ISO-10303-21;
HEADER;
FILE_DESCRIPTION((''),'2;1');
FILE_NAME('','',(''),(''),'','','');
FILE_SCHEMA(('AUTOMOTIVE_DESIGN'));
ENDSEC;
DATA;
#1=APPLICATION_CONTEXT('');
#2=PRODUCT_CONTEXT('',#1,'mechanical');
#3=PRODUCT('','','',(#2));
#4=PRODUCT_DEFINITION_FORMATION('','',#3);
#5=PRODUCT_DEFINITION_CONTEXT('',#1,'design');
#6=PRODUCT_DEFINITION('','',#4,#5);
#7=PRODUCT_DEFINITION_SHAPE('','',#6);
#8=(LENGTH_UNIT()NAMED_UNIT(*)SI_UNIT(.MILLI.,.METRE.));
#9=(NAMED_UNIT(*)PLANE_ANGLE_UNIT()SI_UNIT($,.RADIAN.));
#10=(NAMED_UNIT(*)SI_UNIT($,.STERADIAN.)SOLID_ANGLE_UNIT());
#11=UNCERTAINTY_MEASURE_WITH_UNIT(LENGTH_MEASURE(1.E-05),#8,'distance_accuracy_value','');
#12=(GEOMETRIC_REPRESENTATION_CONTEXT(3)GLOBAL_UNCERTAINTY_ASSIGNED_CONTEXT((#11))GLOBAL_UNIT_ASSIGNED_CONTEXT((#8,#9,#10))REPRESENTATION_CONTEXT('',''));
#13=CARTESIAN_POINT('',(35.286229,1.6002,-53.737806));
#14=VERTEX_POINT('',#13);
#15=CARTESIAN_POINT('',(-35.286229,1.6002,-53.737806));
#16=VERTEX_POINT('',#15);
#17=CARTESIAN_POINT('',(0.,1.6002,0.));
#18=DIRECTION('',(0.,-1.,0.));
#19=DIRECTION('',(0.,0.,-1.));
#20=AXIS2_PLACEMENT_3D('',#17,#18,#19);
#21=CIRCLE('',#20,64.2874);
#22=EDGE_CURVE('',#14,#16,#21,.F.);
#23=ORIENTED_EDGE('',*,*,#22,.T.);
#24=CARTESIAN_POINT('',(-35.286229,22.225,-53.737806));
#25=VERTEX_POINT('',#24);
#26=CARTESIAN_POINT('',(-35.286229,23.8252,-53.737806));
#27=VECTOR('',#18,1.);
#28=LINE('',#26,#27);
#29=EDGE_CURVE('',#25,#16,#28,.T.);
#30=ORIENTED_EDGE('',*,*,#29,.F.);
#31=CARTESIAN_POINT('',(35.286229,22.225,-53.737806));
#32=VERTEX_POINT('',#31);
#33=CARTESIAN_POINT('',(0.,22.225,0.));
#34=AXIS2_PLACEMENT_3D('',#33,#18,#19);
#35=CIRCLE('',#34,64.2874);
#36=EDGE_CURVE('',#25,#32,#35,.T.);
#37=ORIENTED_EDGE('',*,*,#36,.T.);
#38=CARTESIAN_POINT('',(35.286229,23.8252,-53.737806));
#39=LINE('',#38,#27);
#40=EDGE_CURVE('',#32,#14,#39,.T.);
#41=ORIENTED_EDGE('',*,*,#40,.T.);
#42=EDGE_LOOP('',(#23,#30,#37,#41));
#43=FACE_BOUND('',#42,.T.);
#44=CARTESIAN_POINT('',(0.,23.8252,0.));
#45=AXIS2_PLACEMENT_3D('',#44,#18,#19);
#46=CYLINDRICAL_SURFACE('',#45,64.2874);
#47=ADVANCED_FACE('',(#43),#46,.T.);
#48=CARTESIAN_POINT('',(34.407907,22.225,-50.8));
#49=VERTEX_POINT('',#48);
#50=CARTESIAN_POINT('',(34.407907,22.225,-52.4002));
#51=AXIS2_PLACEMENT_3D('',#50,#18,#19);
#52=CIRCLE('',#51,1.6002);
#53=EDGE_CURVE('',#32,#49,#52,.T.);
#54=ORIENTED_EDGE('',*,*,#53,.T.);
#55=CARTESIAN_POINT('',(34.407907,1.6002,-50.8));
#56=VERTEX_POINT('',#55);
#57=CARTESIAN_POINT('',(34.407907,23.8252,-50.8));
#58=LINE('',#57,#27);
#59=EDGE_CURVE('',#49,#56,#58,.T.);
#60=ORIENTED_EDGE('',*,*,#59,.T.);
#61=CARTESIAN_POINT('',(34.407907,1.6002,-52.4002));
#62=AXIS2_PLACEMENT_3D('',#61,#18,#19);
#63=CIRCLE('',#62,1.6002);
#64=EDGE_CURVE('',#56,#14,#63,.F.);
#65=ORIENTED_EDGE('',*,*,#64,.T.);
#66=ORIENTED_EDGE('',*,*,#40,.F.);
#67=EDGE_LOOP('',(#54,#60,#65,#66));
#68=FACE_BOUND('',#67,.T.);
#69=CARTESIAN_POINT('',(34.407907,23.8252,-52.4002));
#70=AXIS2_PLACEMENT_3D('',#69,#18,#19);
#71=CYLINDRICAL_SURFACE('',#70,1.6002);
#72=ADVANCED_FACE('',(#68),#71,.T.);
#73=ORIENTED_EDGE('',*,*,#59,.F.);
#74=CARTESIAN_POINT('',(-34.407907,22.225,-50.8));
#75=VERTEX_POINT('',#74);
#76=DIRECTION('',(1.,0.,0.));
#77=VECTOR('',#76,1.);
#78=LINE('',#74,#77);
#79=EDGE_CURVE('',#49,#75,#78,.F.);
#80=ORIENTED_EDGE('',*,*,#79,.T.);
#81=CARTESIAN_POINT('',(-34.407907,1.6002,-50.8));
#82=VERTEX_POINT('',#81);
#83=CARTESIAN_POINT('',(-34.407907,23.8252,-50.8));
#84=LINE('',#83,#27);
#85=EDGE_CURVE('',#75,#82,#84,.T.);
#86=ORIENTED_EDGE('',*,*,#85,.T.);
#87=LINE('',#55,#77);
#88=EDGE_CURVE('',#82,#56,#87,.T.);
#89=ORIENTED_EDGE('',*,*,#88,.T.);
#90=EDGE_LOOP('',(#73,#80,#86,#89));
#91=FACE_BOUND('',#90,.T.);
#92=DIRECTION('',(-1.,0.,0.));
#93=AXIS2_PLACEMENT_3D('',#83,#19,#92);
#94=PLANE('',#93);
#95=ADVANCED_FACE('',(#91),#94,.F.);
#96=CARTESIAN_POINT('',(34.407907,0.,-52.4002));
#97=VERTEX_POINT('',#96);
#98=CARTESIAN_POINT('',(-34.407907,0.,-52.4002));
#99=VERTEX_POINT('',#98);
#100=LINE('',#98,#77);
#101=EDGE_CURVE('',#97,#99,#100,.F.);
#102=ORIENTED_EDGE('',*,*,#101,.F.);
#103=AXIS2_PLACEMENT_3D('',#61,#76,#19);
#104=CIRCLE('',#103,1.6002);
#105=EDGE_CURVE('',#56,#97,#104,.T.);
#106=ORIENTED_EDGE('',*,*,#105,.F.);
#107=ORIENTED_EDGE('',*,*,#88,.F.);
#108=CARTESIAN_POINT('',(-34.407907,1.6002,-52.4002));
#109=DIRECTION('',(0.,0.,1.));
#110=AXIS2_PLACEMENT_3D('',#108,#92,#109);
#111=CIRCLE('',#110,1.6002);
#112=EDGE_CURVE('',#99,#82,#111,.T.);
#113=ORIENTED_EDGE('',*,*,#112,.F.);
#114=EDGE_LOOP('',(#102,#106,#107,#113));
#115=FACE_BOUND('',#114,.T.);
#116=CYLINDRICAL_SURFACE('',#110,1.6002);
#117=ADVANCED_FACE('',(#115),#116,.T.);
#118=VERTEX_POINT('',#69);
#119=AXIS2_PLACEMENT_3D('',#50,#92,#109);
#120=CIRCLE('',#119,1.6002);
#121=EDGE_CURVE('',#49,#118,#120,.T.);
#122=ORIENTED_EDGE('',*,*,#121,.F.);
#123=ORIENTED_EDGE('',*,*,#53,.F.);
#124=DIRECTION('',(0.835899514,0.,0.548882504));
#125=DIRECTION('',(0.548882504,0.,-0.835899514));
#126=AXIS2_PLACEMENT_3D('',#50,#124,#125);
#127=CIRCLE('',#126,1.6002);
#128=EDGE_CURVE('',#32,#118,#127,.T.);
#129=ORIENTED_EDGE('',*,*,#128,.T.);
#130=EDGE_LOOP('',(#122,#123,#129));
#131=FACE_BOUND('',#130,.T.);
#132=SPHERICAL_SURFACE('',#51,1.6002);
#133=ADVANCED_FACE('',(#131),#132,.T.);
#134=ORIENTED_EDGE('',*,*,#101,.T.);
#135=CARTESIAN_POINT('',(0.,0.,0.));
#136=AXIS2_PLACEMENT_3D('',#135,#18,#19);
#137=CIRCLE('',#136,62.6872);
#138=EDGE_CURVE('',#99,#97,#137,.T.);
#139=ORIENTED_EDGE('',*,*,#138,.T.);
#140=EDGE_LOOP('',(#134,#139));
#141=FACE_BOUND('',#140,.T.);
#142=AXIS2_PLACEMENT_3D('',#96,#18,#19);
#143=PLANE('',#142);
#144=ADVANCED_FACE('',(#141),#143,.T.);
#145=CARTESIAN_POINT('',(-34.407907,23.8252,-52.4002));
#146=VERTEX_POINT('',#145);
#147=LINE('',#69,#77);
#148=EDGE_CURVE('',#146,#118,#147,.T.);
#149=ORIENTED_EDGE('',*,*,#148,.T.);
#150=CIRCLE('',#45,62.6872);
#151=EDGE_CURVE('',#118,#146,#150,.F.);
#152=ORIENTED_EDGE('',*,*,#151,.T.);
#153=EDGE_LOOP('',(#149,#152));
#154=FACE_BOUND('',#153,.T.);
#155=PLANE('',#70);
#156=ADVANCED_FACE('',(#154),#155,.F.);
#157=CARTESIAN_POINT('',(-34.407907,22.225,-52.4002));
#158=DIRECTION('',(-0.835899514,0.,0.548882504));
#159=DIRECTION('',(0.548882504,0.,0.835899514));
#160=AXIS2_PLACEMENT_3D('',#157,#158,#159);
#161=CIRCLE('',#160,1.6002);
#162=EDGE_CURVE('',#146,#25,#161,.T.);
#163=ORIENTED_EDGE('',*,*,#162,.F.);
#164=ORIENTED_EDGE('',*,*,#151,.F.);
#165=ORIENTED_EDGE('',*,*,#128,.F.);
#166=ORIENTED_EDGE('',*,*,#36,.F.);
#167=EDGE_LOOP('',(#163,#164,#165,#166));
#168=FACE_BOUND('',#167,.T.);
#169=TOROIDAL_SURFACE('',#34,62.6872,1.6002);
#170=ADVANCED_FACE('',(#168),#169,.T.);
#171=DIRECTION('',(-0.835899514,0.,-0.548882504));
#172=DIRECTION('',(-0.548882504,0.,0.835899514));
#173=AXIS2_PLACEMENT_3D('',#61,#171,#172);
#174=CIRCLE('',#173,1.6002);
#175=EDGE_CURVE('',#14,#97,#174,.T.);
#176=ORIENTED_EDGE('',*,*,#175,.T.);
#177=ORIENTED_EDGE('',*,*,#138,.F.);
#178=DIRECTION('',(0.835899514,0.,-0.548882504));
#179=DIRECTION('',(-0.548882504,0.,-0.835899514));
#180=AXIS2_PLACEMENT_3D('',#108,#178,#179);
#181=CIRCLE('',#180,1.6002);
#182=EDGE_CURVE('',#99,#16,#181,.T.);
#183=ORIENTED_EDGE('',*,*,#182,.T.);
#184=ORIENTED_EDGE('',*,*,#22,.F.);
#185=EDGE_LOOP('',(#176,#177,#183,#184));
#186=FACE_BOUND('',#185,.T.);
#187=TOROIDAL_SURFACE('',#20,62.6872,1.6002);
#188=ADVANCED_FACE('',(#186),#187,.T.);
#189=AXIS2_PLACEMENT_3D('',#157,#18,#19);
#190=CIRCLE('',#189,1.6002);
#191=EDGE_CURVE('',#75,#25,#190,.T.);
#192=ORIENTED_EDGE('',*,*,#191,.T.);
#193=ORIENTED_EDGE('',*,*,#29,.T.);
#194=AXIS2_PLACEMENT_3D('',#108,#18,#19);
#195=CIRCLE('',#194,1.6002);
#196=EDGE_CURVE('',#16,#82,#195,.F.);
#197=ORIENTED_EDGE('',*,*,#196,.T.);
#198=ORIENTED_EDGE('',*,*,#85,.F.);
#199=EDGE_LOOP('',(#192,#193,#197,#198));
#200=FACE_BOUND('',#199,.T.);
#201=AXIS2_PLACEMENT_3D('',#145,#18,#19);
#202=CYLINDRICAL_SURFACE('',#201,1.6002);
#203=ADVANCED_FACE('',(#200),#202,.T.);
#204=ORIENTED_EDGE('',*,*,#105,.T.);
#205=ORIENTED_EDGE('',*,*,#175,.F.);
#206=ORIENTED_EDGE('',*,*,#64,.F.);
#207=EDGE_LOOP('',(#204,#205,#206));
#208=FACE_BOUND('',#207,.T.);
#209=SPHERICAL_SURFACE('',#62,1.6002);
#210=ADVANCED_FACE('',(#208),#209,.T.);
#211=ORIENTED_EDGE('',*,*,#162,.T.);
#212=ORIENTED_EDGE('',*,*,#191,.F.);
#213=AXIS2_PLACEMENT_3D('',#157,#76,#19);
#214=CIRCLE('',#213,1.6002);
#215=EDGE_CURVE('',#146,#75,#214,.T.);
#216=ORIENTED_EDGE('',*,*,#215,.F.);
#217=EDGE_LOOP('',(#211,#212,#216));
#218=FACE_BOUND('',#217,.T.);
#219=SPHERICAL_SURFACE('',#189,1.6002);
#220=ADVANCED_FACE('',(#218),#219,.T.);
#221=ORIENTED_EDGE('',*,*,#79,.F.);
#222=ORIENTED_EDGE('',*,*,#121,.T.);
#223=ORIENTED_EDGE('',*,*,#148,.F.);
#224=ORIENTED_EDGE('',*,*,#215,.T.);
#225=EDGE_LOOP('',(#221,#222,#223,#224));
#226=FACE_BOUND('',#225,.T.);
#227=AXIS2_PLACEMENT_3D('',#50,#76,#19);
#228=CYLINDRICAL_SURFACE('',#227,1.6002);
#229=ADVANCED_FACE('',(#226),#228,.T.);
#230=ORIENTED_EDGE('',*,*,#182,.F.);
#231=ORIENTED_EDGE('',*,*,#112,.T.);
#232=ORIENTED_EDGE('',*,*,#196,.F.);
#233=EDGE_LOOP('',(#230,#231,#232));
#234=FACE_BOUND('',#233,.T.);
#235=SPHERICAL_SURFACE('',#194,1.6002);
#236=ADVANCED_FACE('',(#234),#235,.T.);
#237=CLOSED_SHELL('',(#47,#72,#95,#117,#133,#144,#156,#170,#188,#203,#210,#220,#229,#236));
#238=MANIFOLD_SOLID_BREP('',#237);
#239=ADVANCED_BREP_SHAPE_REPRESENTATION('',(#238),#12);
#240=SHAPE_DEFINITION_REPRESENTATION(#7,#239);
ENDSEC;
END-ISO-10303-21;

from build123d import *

# Parameters (mm, degrees)
BOSS_EXTRUDE1_DEPTH = 23.8252
FILLET1_R           = 1.6002


with BuildPart() as part:
    # Sketch1 → Boss-Extrude1 (new body)
    with BuildSketch(Plane(origin=(0, 0, 0), x_dir=(1, 0, 0), z_dir=(0, 1, 0))):
        with BuildLine():
            Line((-34.407907286, 50.8), (34.407907286, 50.8))
            ThreePointArc((34.407907286, 50.8), (35.941054018, 51.941832093), (35.286229068, 53.737806402))
            ThreePointArc((35.286229068, 53.737806402), (0, 64.2874), (-35.286229068, 53.737806402))
            ThreePointArc((-35.286229068, 53.737806402), (-35.941054018, 51.941832093), (-34.407907286, 50.8))
        make_face()
    extrude(amount=BOSS_EXTRUDE1_DEPTH)

    # Fillet1
    fillet1_edges = [part.edges().sort_by_distance(p)[0] for p in [
        (-35.941054018, 23.8252, -51.941832093),
        (0, 23.8252, -50.8),
        (35.941054018, 23.8252, -51.941832093),
        (0, 0, -50.8),
        (-35.941054018, 0, -51.941832093),
        (0, 0, -64.2874),
        (35.941054018, 0, -51.941832093),
        (0, 23.8252, -64.2874),
    ]]
    fillet(fillet1_edges, radius=FILLET1_R)


solid = part.part
